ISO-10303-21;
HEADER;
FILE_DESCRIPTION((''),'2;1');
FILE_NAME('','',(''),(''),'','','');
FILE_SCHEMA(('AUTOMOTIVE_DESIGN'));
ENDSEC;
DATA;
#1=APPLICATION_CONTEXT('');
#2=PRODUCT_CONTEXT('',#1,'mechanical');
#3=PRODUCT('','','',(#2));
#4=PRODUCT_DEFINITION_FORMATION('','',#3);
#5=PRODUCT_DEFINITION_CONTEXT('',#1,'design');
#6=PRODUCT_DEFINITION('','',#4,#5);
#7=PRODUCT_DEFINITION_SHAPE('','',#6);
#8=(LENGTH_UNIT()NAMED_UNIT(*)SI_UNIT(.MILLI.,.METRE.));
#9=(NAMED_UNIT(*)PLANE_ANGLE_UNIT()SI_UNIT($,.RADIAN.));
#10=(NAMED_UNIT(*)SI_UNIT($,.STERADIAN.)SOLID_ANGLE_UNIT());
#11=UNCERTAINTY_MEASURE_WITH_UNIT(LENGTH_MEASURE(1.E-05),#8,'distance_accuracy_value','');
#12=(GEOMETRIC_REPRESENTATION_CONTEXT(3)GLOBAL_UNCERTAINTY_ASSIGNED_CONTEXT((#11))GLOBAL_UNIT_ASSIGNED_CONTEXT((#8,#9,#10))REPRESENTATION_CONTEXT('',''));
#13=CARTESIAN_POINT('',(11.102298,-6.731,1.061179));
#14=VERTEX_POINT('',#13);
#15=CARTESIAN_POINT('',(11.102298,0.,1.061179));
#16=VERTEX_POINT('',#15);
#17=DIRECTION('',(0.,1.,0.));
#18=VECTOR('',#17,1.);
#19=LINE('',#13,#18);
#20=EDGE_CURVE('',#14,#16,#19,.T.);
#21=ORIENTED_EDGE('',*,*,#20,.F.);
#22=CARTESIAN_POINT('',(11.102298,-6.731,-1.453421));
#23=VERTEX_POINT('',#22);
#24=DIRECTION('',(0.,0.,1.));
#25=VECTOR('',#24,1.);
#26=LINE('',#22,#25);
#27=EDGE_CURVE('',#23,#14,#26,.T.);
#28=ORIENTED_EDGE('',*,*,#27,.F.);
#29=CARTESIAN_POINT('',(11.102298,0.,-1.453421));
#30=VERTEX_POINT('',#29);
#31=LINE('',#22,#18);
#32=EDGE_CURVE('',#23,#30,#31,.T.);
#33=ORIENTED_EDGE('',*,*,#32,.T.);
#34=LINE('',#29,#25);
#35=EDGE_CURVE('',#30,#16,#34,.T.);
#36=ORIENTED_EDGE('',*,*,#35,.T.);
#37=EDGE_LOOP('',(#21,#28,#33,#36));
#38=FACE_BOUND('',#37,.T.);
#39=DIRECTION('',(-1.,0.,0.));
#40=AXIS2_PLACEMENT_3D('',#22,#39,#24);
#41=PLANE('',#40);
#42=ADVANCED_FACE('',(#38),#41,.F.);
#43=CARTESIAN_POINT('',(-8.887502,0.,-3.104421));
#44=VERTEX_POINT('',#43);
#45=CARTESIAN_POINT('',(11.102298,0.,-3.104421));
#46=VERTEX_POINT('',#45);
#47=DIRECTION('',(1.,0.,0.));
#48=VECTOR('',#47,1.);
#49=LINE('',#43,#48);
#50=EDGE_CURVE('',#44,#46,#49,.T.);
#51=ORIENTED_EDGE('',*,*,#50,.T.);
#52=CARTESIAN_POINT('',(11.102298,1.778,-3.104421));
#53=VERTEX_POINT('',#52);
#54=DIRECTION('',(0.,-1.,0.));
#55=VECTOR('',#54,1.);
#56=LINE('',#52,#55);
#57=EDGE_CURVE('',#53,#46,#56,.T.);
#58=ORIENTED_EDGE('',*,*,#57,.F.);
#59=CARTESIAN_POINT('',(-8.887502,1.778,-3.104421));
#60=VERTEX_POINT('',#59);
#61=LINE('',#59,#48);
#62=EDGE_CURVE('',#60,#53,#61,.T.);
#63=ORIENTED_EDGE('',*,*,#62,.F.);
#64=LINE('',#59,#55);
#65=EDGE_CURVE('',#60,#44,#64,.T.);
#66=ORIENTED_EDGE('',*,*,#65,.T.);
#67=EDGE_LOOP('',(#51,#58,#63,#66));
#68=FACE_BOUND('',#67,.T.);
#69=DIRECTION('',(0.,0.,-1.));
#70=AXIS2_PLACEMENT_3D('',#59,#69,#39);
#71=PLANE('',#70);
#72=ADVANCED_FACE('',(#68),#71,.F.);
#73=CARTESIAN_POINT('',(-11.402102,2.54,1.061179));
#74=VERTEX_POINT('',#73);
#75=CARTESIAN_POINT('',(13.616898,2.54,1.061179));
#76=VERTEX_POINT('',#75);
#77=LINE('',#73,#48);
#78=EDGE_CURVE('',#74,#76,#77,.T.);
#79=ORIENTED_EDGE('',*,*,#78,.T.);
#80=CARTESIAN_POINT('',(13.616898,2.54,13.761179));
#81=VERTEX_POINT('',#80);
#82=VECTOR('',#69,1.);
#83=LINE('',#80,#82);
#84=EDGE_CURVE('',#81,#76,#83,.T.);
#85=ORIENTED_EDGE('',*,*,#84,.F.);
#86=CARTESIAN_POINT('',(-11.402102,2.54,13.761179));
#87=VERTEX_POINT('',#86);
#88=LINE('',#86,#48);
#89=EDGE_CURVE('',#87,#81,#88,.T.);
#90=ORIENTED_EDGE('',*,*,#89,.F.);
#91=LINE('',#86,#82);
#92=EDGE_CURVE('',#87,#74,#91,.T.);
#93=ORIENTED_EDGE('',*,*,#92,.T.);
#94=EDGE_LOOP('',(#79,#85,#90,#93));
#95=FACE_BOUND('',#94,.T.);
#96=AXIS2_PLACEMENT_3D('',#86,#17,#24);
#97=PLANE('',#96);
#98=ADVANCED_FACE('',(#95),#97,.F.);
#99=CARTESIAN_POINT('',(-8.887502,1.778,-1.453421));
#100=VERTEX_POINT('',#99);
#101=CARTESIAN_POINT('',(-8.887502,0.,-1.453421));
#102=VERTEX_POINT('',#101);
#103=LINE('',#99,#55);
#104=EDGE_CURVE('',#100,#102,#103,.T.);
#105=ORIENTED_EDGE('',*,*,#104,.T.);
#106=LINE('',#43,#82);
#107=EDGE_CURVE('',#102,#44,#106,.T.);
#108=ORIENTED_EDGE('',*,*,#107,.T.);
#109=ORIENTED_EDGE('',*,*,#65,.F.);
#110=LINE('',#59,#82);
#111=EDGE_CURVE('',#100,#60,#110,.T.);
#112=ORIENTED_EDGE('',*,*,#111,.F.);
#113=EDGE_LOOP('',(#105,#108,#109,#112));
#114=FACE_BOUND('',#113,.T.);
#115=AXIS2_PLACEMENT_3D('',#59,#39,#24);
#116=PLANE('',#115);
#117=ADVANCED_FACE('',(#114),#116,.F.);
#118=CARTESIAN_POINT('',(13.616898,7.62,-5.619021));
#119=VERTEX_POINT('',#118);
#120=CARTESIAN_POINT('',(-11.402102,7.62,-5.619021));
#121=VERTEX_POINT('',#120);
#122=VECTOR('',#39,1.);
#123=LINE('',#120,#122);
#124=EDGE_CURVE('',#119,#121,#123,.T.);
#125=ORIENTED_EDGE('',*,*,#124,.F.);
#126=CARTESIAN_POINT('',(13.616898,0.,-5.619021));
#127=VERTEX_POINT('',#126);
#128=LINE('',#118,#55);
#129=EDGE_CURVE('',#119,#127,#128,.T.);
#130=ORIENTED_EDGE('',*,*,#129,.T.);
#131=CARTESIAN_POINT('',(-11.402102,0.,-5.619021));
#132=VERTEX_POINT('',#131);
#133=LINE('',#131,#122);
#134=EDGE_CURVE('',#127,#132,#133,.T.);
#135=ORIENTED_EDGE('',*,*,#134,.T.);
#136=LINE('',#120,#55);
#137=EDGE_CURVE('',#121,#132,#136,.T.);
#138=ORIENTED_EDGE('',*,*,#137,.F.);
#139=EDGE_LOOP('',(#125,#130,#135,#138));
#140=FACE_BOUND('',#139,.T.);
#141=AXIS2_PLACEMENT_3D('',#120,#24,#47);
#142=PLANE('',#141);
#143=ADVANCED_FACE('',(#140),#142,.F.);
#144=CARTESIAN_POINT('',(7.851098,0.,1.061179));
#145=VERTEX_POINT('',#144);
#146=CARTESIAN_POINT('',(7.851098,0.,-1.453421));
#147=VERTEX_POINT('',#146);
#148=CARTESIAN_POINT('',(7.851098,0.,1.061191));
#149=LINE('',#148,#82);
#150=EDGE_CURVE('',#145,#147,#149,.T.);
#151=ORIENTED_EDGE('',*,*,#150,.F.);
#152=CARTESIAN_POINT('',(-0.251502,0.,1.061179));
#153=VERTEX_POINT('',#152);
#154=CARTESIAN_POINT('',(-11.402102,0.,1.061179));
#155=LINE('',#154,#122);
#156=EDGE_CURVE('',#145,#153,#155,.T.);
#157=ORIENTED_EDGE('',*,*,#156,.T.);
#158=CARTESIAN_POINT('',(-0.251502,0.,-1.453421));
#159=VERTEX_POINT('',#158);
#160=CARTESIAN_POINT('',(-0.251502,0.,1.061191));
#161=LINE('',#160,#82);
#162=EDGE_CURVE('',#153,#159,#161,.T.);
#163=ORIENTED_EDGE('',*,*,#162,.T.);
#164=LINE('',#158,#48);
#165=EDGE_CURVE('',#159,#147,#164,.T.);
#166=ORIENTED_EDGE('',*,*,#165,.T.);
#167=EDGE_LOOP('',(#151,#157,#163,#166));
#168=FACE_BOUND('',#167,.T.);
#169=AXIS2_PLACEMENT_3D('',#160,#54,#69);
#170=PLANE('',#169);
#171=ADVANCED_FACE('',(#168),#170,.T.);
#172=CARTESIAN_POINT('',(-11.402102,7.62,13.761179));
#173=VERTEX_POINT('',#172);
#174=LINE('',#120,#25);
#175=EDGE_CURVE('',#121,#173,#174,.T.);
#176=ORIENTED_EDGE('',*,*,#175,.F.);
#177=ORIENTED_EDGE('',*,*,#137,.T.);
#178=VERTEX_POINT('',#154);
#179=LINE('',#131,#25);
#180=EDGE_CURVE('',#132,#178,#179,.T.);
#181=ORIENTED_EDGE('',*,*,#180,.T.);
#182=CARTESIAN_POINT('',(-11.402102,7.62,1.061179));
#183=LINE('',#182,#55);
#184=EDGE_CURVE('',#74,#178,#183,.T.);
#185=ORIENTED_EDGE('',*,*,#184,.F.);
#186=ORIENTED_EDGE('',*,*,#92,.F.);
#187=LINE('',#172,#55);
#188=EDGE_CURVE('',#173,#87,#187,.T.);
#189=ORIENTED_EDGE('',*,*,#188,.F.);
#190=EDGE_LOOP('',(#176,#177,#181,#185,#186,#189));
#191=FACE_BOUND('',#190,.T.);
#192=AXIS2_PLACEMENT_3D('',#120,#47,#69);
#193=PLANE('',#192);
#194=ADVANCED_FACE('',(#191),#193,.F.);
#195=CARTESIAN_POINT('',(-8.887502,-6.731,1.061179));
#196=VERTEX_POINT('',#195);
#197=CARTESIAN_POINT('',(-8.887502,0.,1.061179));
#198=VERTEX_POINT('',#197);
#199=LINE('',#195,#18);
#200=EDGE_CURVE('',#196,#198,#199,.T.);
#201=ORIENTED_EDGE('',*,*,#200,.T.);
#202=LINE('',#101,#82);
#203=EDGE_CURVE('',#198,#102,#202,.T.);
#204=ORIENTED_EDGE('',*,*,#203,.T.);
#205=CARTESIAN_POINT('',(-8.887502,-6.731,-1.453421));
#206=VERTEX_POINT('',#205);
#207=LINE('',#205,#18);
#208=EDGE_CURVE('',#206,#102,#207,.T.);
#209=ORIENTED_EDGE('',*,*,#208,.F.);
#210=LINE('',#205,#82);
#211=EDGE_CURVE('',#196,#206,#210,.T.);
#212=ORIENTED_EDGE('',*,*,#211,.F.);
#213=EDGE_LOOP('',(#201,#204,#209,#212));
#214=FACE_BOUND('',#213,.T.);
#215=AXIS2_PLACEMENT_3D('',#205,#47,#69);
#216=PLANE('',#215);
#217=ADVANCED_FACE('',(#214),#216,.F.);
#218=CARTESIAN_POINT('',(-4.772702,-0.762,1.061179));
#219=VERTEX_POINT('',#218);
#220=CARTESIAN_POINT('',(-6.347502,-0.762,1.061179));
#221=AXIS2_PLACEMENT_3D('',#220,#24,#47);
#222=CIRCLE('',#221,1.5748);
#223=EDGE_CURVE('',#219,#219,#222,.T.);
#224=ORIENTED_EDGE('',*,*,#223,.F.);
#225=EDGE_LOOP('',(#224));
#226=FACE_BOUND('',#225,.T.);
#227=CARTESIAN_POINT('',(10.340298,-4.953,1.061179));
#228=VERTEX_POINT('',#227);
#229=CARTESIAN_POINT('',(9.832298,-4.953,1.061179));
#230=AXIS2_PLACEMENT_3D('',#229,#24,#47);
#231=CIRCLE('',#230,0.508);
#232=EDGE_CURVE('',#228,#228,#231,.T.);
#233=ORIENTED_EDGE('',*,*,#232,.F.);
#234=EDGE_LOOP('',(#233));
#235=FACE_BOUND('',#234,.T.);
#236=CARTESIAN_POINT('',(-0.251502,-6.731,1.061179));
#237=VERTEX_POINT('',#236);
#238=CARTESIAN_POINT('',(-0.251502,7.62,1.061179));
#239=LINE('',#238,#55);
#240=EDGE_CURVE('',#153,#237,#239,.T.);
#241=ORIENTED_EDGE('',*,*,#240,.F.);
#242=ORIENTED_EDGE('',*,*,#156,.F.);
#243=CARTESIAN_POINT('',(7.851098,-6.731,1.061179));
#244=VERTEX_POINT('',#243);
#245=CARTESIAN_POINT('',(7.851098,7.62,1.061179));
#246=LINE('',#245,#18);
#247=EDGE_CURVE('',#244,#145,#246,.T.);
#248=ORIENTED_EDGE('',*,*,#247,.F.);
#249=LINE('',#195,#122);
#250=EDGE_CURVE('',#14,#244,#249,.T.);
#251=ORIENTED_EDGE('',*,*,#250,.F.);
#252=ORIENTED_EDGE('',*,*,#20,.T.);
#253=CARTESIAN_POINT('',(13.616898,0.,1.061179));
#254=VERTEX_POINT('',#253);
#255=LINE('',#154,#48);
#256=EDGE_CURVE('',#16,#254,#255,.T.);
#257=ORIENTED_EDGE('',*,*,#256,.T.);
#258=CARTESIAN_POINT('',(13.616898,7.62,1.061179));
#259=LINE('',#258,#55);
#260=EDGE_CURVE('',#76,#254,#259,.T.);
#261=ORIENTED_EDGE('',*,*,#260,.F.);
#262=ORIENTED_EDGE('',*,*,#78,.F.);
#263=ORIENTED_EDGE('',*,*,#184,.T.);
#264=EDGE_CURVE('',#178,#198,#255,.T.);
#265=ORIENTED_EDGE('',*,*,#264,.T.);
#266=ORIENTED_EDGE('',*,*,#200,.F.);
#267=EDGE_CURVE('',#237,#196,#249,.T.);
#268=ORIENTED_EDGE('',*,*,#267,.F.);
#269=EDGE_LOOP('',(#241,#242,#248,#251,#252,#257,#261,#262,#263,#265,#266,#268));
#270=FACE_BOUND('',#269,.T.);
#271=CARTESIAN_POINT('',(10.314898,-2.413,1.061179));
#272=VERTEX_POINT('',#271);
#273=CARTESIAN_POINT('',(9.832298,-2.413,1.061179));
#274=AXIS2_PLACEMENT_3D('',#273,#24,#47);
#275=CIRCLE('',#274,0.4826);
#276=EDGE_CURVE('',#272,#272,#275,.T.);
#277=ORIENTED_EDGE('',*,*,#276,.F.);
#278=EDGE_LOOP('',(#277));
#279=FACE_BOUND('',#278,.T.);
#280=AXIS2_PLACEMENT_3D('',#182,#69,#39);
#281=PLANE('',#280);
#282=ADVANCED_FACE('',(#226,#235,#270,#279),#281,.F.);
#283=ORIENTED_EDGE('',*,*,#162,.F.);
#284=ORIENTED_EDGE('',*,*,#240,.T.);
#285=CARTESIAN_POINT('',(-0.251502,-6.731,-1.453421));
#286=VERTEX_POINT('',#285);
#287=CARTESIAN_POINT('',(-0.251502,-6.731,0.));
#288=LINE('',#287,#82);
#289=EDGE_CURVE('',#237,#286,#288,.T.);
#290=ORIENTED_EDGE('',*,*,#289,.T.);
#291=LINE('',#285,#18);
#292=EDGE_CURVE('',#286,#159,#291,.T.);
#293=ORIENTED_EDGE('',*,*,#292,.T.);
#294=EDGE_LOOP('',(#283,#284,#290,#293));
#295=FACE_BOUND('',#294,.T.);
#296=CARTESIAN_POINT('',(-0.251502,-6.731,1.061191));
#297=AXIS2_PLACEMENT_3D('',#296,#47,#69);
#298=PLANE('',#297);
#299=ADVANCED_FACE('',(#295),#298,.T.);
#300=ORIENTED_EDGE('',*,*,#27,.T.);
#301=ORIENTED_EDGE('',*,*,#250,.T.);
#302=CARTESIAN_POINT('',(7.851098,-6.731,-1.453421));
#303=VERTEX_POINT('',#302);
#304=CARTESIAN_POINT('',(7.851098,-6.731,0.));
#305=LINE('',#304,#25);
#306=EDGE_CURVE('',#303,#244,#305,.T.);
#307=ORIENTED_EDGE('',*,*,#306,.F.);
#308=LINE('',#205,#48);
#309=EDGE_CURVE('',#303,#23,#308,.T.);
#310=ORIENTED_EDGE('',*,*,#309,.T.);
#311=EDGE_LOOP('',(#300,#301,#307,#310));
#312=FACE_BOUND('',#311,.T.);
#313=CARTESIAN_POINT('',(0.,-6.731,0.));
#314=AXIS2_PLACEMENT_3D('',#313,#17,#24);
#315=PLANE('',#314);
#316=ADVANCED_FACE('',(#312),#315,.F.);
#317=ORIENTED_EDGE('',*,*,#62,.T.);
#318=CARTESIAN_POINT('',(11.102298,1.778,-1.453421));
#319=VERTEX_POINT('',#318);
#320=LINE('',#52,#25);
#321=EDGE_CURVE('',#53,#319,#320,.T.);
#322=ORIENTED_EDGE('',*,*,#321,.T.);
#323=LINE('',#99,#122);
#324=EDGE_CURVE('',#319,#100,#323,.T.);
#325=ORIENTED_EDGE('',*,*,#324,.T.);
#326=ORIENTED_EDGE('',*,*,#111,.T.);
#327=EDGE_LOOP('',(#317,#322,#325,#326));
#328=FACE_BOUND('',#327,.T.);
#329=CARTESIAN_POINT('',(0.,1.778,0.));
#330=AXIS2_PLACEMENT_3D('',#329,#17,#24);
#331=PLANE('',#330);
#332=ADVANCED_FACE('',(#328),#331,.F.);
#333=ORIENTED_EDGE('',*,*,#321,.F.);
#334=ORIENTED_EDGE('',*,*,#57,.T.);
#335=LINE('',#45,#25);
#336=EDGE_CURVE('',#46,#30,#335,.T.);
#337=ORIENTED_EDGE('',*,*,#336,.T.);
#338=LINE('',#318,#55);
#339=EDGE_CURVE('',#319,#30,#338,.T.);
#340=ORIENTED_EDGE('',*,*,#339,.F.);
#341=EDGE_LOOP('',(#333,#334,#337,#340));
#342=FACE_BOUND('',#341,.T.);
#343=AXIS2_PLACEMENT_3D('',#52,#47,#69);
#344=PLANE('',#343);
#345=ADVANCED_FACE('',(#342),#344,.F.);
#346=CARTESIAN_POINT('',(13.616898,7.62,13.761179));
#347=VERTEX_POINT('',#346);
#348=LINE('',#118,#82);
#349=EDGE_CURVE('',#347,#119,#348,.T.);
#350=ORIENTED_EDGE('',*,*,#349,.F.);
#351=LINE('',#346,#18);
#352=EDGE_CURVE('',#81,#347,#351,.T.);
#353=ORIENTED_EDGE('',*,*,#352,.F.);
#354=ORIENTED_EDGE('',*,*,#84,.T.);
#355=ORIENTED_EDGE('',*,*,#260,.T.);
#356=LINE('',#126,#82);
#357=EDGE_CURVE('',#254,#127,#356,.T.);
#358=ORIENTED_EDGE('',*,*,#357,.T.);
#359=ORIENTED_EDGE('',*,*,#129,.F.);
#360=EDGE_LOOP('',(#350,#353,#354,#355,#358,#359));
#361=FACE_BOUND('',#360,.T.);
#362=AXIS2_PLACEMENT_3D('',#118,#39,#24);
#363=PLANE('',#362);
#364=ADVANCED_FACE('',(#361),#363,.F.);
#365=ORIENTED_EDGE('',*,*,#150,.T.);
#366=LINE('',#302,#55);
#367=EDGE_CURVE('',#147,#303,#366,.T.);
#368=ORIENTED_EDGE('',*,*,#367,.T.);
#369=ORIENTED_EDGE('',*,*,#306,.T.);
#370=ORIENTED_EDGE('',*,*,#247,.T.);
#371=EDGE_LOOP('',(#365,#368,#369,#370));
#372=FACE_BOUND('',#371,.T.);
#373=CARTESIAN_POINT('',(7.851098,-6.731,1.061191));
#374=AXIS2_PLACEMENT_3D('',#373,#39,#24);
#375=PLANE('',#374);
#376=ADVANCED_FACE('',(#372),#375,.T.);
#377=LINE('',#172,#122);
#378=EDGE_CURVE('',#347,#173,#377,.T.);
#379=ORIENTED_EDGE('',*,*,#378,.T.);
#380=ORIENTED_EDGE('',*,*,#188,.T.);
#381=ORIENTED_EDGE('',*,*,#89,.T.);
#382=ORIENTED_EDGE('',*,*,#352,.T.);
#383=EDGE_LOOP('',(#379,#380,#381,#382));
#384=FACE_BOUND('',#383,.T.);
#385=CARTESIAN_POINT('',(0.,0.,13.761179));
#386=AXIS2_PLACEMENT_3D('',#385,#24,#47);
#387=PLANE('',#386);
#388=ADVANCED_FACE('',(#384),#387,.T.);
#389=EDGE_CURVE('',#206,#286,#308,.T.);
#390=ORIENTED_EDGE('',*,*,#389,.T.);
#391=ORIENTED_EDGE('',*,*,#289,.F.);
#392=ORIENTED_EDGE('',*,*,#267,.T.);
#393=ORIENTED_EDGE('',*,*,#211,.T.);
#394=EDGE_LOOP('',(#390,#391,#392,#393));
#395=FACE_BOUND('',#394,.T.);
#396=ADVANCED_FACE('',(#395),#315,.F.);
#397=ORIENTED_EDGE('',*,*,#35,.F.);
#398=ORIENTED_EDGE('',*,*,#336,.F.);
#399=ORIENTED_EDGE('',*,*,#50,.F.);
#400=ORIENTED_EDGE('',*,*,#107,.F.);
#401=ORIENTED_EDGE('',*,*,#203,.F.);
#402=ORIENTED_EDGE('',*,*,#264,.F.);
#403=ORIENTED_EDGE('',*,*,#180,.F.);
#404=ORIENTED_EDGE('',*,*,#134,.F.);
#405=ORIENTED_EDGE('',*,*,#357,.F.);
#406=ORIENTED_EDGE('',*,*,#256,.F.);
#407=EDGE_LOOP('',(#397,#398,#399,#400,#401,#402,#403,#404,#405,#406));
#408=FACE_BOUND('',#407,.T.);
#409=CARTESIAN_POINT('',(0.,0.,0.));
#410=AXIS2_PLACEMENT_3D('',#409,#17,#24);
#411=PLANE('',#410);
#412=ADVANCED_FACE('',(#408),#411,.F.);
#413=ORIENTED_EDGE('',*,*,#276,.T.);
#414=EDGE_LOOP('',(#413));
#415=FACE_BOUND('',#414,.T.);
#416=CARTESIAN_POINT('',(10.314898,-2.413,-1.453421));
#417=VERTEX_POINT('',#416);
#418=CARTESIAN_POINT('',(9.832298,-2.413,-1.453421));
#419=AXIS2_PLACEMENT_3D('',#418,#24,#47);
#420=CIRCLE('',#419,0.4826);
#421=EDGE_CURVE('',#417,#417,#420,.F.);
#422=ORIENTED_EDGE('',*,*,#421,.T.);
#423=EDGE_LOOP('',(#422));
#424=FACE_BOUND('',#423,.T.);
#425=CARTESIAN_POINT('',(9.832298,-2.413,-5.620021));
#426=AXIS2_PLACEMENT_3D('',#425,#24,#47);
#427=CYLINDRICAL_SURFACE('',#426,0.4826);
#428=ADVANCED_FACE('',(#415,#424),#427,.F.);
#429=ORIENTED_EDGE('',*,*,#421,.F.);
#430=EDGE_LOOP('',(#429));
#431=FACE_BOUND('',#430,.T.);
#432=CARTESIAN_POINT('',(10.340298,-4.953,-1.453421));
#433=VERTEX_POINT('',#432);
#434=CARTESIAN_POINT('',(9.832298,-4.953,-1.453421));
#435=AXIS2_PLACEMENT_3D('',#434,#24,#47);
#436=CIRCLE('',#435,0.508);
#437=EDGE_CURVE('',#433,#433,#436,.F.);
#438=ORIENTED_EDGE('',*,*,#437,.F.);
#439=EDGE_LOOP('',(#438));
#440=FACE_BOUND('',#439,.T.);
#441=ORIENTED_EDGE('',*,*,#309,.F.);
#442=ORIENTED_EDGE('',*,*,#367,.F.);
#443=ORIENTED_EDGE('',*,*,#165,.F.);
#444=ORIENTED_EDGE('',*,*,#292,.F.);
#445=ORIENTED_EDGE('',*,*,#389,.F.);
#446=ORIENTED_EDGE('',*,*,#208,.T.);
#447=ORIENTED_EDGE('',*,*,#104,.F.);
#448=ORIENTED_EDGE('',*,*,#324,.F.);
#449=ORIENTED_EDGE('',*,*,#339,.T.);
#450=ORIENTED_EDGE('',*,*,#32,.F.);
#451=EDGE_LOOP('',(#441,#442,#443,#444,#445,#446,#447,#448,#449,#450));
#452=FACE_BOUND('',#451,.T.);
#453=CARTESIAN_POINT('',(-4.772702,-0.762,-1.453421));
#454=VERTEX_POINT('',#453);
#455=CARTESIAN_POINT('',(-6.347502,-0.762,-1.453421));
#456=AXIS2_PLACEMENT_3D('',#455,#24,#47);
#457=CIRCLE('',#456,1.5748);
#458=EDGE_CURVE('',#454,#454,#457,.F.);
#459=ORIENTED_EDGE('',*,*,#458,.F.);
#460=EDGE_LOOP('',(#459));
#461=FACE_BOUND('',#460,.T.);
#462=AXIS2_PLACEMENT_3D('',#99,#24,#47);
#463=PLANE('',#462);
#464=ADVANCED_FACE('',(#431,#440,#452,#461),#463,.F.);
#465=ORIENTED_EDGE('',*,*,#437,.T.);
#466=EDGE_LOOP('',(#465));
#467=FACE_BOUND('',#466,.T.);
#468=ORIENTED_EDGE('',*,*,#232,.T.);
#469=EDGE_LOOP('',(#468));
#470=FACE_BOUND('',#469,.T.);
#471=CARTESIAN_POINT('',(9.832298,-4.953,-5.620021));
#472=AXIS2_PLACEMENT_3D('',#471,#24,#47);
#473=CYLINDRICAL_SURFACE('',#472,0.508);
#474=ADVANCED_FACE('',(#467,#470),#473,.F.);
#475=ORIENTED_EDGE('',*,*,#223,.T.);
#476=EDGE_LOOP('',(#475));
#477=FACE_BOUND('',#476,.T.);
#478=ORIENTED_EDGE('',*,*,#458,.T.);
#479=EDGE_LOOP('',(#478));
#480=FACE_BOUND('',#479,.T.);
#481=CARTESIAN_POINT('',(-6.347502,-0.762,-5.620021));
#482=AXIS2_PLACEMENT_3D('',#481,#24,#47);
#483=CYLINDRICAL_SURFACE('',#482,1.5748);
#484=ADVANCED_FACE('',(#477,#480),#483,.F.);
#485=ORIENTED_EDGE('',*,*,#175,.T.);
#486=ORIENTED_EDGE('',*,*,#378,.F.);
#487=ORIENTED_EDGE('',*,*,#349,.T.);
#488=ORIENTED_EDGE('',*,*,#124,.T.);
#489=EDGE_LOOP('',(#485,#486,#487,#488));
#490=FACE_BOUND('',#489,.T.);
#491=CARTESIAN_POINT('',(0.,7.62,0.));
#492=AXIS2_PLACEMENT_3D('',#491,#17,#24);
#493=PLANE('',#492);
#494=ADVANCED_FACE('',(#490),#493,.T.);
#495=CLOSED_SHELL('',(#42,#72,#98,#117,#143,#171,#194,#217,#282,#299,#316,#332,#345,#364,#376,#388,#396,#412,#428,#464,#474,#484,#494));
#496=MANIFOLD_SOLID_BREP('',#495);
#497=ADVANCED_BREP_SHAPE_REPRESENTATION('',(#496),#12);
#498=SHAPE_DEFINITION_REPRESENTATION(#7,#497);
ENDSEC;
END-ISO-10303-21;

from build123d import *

# Parameters (mm, degrees)
SKETCH1_W                      = 25.019
SKETCH1_H                      = 6.6802
BOSS_EXTRUDE1_DEPTH            = 7.62
SKETCH2_W                      = 19.9898
SKETCH2_H                      = 1.651
CUT_EXTRUDE1_DEPTH             = 1.778
SKETCH5_W                      = 19.9898
SKETCH5_H                      = 2.5146
BOSS_EXTRUDE2_DEPTH            = 6.731
CUT_EXTRUDE2_REACH             = 18.974
SKETCH7_W                      = 8.1026
SKETCH7_H                      = 6.731
CUT_EXTRUDE2_DIRECTION_2_DEPTH = 17.973785465
CUT_EXTRUDE5_REACH             = 18.974
SKETCH8_R                      = 1.5748
SKETCH8_R_2                    = 0.4826
SKETCH8_R_3                    = 0.508
SKETCH9_W                      = 25.019
SKETCH9_H                      = 5.08
BOSS_EXTRUDE3_DEPTH            = 12.7


with BuildPart() as part:
    # Sketch1 → Boss-Extrude1 (new body)
    with BuildSketch(Plane(origin=(0, 0, 0), x_dir=(1, 0, 0), z_dir=(0, 1, 0))):
        with Locations((1.107398361, 2.278921311)):
            Rectangle(SKETCH1_W, SKETCH1_H)
    extrude(amount=BOSS_EXTRUDE1_DEPTH)

    # Sketch2 → Cut-Extrude1 (cut)
    with BuildSketch(Plane.XZ):
        with Locations((1.107398361, -2.278921311)):
            Rectangle(SKETCH2_W, SKETCH2_H)
    extrude(amount=-CUT_EXTRUDE1_DEPTH, mode=Mode.SUBTRACT)

    # Sketch5 → Boss-Extrude2 (add)
    with BuildSketch(Plane.XZ):
        with Locations((1.107398361, -0.196121311)):
            Rectangle(SKETCH5_W, SKETCH5_H)
    extrude(amount=BOSS_EXTRUDE2_DEPTH)

    # Sketch7 → Cut-Extrude2 (cut, up to next)
    with BuildSketch(Plane.XY.offset(1.061178689), mode=Mode.PRIVATE) as cut_extrude2_sk1:
        with Locations((3.799798361, -3.3655)):
            Rectangle(SKETCH7_W, SKETCH7_H)
    cut_extrude2_tool1 = extrude(cut_extrude2_sk1.sketch, amount=-CUT_EXTRUDE2_REACH, mode=Mode.PRIVATE) & part.part
    add(cut_extrude2_tool1.solids().sort_by_distance((3.799798, -3.3655, 1.061179))[0], mode=Mode.SUBTRACT)

    # Sketch7 → Cut-Extrude2 direction 2 (cut)
    with BuildSketch(Plane.XY.offset(1.061178689)):
        with Locations((3.799798361, -3.3655)):
            Rectangle(SKETCH7_W, SKETCH7_H)
    extrude(amount=CUT_EXTRUDE2_DIRECTION_2_DEPTH, mode=Mode.SUBTRACT)

    # Sketch8 → Cut-Extrude5 (cut, up to next)
    with BuildSketch(Plane.XY.offset(1.061178689), mode=Mode.PRIVATE) as cut_extrude5_sk1:
        with Locations((-6.347501639, -0.762)):
            Circle(SKETCH8_R)
    cut_extrude5_tool1 = extrude(cut_extrude5_sk1.sketch, amount=-CUT_EXTRUDE5_REACH, mode=Mode.PRIVATE) & part.part
    # Sketch8 → Cut-Extrude5 (cut, up to next)
    with BuildSketch(Plane.XY.offset(1.061178689), mode=Mode.PRIVATE) as cut_extrude5_sk2:
        with Locations((9.832298361, -2.413)):
            Circle(SKETCH8_R_2)
    cut_extrude5_tool2 = extrude(cut_extrude5_sk2.sketch, amount=-CUT_EXTRUDE5_REACH, mode=Mode.PRIVATE) & part.part
    # Sketch8 → Cut-Extrude5 (cut, up to next)
    with BuildSketch(Plane.XY.offset(1.061178689), mode=Mode.PRIVATE) as cut_extrude5_sk3:
        with Locations((9.832298361, -4.953)):
            Circle(SKETCH8_R_3)
    cut_extrude5_tool3 = extrude(cut_extrude5_sk3.sketch, amount=-CUT_EXTRUDE5_REACH, mode=Mode.PRIVATE) & part.part
    add(cut_extrude5_tool1.solids().sort_by_distance((-6.347502, -0.762, 1.061179))[0], mode=Mode.SUBTRACT)
    add(cut_extrude5_tool2.solids().sort_by_distance((9.832298, -2.413, 1.061179))[0], mode=Mode.SUBTRACT)
    add(cut_extrude5_tool3.solids().sort_by_distance((9.832298, -4.953, 1.061179))[0], mode=Mode.SUBTRACT)

    # Sketch9 → Boss-Extrude3 (add)
    with BuildSketch(Plane.XY.offset(1.061178689)):
        with Locations((1.107398361, 5.08)):
            Rectangle(SKETCH9_W, SKETCH9_H)
    extrude(amount=BOSS_EXTRUDE3_DEPTH)


solid = part.part
